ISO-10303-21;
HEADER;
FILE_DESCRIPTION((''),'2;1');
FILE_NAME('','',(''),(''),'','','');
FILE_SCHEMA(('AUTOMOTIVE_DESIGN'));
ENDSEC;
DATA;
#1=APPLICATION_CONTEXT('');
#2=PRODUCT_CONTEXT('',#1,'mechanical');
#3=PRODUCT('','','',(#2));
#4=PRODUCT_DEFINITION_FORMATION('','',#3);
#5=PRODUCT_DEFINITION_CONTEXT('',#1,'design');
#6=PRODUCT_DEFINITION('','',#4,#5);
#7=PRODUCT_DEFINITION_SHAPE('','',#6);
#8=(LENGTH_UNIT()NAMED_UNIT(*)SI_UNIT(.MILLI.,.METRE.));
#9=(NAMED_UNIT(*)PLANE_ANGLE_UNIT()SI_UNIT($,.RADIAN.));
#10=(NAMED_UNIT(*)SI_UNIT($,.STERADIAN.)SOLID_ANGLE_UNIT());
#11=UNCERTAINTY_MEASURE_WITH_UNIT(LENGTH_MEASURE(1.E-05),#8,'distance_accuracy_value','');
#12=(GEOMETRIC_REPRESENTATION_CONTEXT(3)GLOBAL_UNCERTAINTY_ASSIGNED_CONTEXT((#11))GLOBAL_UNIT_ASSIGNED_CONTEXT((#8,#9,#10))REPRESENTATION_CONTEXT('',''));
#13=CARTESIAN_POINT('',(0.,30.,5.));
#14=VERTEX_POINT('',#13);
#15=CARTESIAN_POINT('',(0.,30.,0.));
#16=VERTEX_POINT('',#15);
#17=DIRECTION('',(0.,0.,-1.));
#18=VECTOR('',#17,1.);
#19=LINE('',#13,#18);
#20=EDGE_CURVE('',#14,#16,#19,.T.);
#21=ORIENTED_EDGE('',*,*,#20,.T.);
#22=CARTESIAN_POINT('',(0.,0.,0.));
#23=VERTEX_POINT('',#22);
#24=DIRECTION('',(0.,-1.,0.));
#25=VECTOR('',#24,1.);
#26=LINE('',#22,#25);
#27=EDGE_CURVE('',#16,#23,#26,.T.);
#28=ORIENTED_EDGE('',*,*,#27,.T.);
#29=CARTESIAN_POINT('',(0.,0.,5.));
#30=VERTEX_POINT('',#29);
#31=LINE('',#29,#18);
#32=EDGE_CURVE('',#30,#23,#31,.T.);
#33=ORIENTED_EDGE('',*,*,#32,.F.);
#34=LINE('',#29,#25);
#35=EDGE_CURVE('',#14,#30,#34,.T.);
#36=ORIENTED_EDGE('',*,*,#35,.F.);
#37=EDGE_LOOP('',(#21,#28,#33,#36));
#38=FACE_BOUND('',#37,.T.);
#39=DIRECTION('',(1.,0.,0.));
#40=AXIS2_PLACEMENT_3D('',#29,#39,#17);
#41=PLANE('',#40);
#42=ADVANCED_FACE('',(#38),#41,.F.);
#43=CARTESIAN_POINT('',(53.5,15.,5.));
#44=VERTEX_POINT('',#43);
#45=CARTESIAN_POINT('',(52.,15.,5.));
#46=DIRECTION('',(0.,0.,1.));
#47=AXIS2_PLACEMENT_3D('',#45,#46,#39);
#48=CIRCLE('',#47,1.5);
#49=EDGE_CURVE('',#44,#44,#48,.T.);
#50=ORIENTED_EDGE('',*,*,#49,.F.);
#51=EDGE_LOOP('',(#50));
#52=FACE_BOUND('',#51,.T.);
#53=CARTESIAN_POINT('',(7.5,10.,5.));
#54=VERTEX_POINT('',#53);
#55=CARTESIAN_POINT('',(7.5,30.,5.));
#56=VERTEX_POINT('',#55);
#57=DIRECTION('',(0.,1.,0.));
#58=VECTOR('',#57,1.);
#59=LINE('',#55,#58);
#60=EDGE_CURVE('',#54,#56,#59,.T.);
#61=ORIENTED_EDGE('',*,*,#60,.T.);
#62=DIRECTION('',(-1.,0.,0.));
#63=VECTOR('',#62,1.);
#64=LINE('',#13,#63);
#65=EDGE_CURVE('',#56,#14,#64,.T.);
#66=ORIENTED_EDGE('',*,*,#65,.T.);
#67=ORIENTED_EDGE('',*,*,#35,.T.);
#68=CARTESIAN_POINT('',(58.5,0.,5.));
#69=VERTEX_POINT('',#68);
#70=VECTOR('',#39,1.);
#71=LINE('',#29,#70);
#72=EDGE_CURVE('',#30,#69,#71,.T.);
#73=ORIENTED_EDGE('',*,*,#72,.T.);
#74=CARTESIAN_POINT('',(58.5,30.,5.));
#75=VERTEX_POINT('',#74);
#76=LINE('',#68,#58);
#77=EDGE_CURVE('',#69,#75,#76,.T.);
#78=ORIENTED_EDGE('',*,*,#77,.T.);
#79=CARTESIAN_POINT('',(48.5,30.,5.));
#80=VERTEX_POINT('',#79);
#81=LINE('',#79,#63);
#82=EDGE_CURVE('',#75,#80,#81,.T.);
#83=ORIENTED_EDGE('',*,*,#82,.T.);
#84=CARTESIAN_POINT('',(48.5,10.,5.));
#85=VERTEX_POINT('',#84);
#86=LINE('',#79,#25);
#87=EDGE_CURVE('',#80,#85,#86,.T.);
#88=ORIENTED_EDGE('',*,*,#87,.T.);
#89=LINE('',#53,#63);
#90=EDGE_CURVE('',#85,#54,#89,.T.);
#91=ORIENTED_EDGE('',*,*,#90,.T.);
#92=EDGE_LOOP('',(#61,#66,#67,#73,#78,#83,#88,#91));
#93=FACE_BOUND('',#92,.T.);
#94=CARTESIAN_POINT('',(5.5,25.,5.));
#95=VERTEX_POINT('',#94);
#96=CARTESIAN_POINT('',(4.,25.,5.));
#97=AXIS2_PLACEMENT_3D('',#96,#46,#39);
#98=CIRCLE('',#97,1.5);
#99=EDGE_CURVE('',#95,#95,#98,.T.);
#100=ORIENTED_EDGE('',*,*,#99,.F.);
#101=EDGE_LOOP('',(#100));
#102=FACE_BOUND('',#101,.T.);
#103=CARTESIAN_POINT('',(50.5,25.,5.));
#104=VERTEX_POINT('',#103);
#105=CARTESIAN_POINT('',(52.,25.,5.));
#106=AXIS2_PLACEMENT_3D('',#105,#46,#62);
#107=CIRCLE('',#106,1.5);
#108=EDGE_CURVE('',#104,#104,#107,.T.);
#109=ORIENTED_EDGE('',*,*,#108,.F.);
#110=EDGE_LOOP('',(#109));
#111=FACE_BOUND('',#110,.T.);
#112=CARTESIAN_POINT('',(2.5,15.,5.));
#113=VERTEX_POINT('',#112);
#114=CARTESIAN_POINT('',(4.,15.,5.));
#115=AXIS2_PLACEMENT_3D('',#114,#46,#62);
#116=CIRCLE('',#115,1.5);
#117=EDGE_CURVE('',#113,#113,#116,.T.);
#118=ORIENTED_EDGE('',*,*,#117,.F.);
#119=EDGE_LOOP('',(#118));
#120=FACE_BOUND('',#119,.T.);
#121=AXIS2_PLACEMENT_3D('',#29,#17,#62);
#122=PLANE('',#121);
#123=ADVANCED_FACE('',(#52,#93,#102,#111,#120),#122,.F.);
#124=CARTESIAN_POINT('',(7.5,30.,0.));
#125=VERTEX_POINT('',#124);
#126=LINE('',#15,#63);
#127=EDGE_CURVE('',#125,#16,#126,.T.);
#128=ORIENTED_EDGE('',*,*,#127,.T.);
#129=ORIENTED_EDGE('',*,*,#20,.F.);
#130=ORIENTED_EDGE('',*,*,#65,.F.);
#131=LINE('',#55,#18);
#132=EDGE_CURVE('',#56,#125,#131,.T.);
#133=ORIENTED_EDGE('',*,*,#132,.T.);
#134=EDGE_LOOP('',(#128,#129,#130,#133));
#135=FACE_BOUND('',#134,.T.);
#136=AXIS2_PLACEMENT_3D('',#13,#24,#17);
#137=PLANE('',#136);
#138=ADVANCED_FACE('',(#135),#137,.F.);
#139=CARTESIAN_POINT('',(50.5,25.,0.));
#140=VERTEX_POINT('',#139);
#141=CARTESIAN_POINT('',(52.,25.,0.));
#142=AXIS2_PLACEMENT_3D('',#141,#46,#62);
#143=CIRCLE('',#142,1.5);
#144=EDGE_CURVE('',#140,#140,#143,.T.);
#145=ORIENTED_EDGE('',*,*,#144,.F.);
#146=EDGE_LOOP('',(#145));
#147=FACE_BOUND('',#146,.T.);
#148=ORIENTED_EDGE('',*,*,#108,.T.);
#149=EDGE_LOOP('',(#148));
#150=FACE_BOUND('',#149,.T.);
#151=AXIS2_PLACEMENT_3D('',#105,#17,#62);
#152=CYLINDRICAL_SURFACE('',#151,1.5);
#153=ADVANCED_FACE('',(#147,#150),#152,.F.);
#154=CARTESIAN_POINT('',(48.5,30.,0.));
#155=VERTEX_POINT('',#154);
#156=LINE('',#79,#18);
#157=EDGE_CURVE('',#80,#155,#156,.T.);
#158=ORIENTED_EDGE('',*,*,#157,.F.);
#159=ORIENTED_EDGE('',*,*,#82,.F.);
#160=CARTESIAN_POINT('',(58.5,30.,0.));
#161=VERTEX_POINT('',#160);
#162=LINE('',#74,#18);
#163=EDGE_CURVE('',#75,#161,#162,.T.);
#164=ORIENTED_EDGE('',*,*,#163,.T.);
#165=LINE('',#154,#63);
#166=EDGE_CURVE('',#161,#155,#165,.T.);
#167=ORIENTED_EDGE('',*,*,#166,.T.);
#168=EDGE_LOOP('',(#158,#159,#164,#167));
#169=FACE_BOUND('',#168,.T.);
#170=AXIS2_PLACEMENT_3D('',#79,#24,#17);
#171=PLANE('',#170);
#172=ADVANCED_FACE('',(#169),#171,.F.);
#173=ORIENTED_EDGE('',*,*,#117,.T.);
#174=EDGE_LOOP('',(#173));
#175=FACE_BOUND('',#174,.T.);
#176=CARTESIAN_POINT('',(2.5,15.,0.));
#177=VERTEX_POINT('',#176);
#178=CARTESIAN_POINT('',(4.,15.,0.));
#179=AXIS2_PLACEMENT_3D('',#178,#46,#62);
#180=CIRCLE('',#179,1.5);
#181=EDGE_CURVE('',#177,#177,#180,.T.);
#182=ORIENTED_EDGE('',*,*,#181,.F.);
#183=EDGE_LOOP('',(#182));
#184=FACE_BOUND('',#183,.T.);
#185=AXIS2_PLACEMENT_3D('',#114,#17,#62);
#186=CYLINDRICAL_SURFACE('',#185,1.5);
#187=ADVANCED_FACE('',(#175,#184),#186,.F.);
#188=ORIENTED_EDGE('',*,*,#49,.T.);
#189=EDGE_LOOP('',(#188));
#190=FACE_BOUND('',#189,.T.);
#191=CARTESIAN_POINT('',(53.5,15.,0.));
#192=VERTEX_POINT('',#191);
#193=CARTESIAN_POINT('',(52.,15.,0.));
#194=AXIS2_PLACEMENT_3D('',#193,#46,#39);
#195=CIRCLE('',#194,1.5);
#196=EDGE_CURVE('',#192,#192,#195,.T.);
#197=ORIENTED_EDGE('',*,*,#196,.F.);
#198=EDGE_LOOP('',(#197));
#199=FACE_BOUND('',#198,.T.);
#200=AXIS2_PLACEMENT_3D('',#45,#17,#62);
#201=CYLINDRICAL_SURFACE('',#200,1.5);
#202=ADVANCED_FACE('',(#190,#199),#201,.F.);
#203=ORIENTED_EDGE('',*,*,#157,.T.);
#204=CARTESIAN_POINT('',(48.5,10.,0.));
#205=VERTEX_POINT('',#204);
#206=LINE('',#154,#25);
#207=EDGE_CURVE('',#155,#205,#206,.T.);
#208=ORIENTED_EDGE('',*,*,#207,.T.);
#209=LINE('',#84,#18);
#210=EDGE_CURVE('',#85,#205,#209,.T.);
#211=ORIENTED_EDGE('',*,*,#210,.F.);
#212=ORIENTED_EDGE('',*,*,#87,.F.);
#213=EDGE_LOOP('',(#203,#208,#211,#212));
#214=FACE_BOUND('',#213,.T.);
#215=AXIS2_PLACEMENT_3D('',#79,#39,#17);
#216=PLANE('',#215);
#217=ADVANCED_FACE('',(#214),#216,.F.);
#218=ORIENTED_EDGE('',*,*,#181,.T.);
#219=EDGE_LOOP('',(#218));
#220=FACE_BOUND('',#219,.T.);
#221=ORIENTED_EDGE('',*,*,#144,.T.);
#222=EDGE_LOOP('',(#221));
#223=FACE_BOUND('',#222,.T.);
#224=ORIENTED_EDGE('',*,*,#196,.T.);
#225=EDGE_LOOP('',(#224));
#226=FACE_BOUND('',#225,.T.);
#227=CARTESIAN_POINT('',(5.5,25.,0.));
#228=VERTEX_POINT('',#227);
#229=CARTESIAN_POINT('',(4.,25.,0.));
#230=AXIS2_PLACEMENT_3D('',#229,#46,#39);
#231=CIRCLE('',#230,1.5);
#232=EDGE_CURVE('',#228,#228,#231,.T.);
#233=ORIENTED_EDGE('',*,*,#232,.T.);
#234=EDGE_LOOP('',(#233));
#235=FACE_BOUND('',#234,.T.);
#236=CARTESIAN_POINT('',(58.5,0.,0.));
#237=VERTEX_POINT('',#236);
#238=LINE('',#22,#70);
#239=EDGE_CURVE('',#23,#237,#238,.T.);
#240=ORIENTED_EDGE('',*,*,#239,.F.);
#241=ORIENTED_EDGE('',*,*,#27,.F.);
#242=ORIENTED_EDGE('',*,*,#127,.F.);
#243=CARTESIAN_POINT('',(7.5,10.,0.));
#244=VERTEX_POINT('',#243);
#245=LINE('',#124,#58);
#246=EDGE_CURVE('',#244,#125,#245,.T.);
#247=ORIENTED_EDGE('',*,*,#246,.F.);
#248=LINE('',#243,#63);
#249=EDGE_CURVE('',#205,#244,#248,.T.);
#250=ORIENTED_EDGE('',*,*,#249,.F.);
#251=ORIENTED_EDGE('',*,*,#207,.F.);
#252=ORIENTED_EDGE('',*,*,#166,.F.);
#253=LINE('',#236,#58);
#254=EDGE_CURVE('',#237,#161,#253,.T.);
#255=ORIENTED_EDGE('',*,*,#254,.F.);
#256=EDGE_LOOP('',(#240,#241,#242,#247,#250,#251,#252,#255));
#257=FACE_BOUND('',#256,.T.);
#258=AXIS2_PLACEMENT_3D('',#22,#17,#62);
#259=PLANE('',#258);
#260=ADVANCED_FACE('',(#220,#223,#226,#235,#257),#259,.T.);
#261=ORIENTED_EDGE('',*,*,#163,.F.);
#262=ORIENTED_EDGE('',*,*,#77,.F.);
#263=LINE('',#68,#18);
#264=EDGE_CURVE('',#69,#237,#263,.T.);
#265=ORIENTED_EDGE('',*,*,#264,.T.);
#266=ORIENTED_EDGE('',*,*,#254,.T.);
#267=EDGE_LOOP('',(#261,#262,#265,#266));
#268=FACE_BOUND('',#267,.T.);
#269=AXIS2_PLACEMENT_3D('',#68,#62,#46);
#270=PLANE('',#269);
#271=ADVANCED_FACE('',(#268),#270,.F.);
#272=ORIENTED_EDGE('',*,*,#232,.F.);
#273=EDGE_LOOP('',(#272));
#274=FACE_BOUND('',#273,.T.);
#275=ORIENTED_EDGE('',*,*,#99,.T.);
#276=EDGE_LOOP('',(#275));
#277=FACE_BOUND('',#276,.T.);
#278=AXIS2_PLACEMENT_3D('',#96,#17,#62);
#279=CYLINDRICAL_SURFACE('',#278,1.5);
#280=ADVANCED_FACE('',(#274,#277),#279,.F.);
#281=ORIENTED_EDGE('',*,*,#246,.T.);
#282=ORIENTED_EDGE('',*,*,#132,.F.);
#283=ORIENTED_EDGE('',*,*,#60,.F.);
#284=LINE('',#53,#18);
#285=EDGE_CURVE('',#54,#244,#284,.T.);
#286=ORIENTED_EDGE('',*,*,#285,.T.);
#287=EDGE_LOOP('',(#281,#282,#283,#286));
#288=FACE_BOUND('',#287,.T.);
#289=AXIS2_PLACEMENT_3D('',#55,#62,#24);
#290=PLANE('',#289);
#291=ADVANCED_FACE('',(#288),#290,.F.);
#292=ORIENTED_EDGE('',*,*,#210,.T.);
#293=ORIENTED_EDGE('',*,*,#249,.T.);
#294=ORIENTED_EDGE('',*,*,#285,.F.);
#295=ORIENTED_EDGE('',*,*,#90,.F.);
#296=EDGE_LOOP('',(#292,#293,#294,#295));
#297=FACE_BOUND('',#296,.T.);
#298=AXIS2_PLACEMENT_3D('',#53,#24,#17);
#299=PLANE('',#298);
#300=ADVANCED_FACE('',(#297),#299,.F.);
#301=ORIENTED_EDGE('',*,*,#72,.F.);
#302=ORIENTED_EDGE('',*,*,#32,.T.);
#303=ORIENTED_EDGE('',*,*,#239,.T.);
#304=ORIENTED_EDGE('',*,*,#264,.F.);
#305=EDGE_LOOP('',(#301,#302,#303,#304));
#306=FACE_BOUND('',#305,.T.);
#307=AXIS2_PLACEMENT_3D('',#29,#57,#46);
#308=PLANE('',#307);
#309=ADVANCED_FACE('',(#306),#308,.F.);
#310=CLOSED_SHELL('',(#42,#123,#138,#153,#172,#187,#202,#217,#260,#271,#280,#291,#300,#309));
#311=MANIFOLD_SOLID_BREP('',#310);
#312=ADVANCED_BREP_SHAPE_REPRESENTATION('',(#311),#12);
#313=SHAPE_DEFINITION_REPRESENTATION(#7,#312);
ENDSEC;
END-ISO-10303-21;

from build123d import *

# Parameters (mm, degrees)
ESQUISSE1_R        = 1.5
BOSS_EXTRU_1_DEPTH = 5


with BuildPart() as part:
    # Esquisse1 → Boss.-Extru.1 (new body)
    with BuildSketch(Plane.XY):
        Polygon((48.5, 30), (58.5, 30), (58.5, 0), (0, 0), (0, 30), (7.5, 30), (7.5, 10), (48.5, 10), align=None)
        with Locations((4, 25)):
            Circle(ESQUISSE1_R, mode=Mode.SUBTRACT)
        with Locations(Location((4, 15, 0), (0, 0, 180))):
            Circle(ESQUISSE1_R, mode=Mode.SUBTRACT)
        with Locations((52, 15)):
            Circle(ESQUISSE1_R, mode=Mode.SUBTRACT)
        with Locations(Location((52, 25, 0), (0, 0, 180))):
            Circle(ESQUISSE1_R, mode=Mode.SUBTRACT)
    extrude(amount=BOSS_EXTRU_1_DEPTH)


solid = part.part
